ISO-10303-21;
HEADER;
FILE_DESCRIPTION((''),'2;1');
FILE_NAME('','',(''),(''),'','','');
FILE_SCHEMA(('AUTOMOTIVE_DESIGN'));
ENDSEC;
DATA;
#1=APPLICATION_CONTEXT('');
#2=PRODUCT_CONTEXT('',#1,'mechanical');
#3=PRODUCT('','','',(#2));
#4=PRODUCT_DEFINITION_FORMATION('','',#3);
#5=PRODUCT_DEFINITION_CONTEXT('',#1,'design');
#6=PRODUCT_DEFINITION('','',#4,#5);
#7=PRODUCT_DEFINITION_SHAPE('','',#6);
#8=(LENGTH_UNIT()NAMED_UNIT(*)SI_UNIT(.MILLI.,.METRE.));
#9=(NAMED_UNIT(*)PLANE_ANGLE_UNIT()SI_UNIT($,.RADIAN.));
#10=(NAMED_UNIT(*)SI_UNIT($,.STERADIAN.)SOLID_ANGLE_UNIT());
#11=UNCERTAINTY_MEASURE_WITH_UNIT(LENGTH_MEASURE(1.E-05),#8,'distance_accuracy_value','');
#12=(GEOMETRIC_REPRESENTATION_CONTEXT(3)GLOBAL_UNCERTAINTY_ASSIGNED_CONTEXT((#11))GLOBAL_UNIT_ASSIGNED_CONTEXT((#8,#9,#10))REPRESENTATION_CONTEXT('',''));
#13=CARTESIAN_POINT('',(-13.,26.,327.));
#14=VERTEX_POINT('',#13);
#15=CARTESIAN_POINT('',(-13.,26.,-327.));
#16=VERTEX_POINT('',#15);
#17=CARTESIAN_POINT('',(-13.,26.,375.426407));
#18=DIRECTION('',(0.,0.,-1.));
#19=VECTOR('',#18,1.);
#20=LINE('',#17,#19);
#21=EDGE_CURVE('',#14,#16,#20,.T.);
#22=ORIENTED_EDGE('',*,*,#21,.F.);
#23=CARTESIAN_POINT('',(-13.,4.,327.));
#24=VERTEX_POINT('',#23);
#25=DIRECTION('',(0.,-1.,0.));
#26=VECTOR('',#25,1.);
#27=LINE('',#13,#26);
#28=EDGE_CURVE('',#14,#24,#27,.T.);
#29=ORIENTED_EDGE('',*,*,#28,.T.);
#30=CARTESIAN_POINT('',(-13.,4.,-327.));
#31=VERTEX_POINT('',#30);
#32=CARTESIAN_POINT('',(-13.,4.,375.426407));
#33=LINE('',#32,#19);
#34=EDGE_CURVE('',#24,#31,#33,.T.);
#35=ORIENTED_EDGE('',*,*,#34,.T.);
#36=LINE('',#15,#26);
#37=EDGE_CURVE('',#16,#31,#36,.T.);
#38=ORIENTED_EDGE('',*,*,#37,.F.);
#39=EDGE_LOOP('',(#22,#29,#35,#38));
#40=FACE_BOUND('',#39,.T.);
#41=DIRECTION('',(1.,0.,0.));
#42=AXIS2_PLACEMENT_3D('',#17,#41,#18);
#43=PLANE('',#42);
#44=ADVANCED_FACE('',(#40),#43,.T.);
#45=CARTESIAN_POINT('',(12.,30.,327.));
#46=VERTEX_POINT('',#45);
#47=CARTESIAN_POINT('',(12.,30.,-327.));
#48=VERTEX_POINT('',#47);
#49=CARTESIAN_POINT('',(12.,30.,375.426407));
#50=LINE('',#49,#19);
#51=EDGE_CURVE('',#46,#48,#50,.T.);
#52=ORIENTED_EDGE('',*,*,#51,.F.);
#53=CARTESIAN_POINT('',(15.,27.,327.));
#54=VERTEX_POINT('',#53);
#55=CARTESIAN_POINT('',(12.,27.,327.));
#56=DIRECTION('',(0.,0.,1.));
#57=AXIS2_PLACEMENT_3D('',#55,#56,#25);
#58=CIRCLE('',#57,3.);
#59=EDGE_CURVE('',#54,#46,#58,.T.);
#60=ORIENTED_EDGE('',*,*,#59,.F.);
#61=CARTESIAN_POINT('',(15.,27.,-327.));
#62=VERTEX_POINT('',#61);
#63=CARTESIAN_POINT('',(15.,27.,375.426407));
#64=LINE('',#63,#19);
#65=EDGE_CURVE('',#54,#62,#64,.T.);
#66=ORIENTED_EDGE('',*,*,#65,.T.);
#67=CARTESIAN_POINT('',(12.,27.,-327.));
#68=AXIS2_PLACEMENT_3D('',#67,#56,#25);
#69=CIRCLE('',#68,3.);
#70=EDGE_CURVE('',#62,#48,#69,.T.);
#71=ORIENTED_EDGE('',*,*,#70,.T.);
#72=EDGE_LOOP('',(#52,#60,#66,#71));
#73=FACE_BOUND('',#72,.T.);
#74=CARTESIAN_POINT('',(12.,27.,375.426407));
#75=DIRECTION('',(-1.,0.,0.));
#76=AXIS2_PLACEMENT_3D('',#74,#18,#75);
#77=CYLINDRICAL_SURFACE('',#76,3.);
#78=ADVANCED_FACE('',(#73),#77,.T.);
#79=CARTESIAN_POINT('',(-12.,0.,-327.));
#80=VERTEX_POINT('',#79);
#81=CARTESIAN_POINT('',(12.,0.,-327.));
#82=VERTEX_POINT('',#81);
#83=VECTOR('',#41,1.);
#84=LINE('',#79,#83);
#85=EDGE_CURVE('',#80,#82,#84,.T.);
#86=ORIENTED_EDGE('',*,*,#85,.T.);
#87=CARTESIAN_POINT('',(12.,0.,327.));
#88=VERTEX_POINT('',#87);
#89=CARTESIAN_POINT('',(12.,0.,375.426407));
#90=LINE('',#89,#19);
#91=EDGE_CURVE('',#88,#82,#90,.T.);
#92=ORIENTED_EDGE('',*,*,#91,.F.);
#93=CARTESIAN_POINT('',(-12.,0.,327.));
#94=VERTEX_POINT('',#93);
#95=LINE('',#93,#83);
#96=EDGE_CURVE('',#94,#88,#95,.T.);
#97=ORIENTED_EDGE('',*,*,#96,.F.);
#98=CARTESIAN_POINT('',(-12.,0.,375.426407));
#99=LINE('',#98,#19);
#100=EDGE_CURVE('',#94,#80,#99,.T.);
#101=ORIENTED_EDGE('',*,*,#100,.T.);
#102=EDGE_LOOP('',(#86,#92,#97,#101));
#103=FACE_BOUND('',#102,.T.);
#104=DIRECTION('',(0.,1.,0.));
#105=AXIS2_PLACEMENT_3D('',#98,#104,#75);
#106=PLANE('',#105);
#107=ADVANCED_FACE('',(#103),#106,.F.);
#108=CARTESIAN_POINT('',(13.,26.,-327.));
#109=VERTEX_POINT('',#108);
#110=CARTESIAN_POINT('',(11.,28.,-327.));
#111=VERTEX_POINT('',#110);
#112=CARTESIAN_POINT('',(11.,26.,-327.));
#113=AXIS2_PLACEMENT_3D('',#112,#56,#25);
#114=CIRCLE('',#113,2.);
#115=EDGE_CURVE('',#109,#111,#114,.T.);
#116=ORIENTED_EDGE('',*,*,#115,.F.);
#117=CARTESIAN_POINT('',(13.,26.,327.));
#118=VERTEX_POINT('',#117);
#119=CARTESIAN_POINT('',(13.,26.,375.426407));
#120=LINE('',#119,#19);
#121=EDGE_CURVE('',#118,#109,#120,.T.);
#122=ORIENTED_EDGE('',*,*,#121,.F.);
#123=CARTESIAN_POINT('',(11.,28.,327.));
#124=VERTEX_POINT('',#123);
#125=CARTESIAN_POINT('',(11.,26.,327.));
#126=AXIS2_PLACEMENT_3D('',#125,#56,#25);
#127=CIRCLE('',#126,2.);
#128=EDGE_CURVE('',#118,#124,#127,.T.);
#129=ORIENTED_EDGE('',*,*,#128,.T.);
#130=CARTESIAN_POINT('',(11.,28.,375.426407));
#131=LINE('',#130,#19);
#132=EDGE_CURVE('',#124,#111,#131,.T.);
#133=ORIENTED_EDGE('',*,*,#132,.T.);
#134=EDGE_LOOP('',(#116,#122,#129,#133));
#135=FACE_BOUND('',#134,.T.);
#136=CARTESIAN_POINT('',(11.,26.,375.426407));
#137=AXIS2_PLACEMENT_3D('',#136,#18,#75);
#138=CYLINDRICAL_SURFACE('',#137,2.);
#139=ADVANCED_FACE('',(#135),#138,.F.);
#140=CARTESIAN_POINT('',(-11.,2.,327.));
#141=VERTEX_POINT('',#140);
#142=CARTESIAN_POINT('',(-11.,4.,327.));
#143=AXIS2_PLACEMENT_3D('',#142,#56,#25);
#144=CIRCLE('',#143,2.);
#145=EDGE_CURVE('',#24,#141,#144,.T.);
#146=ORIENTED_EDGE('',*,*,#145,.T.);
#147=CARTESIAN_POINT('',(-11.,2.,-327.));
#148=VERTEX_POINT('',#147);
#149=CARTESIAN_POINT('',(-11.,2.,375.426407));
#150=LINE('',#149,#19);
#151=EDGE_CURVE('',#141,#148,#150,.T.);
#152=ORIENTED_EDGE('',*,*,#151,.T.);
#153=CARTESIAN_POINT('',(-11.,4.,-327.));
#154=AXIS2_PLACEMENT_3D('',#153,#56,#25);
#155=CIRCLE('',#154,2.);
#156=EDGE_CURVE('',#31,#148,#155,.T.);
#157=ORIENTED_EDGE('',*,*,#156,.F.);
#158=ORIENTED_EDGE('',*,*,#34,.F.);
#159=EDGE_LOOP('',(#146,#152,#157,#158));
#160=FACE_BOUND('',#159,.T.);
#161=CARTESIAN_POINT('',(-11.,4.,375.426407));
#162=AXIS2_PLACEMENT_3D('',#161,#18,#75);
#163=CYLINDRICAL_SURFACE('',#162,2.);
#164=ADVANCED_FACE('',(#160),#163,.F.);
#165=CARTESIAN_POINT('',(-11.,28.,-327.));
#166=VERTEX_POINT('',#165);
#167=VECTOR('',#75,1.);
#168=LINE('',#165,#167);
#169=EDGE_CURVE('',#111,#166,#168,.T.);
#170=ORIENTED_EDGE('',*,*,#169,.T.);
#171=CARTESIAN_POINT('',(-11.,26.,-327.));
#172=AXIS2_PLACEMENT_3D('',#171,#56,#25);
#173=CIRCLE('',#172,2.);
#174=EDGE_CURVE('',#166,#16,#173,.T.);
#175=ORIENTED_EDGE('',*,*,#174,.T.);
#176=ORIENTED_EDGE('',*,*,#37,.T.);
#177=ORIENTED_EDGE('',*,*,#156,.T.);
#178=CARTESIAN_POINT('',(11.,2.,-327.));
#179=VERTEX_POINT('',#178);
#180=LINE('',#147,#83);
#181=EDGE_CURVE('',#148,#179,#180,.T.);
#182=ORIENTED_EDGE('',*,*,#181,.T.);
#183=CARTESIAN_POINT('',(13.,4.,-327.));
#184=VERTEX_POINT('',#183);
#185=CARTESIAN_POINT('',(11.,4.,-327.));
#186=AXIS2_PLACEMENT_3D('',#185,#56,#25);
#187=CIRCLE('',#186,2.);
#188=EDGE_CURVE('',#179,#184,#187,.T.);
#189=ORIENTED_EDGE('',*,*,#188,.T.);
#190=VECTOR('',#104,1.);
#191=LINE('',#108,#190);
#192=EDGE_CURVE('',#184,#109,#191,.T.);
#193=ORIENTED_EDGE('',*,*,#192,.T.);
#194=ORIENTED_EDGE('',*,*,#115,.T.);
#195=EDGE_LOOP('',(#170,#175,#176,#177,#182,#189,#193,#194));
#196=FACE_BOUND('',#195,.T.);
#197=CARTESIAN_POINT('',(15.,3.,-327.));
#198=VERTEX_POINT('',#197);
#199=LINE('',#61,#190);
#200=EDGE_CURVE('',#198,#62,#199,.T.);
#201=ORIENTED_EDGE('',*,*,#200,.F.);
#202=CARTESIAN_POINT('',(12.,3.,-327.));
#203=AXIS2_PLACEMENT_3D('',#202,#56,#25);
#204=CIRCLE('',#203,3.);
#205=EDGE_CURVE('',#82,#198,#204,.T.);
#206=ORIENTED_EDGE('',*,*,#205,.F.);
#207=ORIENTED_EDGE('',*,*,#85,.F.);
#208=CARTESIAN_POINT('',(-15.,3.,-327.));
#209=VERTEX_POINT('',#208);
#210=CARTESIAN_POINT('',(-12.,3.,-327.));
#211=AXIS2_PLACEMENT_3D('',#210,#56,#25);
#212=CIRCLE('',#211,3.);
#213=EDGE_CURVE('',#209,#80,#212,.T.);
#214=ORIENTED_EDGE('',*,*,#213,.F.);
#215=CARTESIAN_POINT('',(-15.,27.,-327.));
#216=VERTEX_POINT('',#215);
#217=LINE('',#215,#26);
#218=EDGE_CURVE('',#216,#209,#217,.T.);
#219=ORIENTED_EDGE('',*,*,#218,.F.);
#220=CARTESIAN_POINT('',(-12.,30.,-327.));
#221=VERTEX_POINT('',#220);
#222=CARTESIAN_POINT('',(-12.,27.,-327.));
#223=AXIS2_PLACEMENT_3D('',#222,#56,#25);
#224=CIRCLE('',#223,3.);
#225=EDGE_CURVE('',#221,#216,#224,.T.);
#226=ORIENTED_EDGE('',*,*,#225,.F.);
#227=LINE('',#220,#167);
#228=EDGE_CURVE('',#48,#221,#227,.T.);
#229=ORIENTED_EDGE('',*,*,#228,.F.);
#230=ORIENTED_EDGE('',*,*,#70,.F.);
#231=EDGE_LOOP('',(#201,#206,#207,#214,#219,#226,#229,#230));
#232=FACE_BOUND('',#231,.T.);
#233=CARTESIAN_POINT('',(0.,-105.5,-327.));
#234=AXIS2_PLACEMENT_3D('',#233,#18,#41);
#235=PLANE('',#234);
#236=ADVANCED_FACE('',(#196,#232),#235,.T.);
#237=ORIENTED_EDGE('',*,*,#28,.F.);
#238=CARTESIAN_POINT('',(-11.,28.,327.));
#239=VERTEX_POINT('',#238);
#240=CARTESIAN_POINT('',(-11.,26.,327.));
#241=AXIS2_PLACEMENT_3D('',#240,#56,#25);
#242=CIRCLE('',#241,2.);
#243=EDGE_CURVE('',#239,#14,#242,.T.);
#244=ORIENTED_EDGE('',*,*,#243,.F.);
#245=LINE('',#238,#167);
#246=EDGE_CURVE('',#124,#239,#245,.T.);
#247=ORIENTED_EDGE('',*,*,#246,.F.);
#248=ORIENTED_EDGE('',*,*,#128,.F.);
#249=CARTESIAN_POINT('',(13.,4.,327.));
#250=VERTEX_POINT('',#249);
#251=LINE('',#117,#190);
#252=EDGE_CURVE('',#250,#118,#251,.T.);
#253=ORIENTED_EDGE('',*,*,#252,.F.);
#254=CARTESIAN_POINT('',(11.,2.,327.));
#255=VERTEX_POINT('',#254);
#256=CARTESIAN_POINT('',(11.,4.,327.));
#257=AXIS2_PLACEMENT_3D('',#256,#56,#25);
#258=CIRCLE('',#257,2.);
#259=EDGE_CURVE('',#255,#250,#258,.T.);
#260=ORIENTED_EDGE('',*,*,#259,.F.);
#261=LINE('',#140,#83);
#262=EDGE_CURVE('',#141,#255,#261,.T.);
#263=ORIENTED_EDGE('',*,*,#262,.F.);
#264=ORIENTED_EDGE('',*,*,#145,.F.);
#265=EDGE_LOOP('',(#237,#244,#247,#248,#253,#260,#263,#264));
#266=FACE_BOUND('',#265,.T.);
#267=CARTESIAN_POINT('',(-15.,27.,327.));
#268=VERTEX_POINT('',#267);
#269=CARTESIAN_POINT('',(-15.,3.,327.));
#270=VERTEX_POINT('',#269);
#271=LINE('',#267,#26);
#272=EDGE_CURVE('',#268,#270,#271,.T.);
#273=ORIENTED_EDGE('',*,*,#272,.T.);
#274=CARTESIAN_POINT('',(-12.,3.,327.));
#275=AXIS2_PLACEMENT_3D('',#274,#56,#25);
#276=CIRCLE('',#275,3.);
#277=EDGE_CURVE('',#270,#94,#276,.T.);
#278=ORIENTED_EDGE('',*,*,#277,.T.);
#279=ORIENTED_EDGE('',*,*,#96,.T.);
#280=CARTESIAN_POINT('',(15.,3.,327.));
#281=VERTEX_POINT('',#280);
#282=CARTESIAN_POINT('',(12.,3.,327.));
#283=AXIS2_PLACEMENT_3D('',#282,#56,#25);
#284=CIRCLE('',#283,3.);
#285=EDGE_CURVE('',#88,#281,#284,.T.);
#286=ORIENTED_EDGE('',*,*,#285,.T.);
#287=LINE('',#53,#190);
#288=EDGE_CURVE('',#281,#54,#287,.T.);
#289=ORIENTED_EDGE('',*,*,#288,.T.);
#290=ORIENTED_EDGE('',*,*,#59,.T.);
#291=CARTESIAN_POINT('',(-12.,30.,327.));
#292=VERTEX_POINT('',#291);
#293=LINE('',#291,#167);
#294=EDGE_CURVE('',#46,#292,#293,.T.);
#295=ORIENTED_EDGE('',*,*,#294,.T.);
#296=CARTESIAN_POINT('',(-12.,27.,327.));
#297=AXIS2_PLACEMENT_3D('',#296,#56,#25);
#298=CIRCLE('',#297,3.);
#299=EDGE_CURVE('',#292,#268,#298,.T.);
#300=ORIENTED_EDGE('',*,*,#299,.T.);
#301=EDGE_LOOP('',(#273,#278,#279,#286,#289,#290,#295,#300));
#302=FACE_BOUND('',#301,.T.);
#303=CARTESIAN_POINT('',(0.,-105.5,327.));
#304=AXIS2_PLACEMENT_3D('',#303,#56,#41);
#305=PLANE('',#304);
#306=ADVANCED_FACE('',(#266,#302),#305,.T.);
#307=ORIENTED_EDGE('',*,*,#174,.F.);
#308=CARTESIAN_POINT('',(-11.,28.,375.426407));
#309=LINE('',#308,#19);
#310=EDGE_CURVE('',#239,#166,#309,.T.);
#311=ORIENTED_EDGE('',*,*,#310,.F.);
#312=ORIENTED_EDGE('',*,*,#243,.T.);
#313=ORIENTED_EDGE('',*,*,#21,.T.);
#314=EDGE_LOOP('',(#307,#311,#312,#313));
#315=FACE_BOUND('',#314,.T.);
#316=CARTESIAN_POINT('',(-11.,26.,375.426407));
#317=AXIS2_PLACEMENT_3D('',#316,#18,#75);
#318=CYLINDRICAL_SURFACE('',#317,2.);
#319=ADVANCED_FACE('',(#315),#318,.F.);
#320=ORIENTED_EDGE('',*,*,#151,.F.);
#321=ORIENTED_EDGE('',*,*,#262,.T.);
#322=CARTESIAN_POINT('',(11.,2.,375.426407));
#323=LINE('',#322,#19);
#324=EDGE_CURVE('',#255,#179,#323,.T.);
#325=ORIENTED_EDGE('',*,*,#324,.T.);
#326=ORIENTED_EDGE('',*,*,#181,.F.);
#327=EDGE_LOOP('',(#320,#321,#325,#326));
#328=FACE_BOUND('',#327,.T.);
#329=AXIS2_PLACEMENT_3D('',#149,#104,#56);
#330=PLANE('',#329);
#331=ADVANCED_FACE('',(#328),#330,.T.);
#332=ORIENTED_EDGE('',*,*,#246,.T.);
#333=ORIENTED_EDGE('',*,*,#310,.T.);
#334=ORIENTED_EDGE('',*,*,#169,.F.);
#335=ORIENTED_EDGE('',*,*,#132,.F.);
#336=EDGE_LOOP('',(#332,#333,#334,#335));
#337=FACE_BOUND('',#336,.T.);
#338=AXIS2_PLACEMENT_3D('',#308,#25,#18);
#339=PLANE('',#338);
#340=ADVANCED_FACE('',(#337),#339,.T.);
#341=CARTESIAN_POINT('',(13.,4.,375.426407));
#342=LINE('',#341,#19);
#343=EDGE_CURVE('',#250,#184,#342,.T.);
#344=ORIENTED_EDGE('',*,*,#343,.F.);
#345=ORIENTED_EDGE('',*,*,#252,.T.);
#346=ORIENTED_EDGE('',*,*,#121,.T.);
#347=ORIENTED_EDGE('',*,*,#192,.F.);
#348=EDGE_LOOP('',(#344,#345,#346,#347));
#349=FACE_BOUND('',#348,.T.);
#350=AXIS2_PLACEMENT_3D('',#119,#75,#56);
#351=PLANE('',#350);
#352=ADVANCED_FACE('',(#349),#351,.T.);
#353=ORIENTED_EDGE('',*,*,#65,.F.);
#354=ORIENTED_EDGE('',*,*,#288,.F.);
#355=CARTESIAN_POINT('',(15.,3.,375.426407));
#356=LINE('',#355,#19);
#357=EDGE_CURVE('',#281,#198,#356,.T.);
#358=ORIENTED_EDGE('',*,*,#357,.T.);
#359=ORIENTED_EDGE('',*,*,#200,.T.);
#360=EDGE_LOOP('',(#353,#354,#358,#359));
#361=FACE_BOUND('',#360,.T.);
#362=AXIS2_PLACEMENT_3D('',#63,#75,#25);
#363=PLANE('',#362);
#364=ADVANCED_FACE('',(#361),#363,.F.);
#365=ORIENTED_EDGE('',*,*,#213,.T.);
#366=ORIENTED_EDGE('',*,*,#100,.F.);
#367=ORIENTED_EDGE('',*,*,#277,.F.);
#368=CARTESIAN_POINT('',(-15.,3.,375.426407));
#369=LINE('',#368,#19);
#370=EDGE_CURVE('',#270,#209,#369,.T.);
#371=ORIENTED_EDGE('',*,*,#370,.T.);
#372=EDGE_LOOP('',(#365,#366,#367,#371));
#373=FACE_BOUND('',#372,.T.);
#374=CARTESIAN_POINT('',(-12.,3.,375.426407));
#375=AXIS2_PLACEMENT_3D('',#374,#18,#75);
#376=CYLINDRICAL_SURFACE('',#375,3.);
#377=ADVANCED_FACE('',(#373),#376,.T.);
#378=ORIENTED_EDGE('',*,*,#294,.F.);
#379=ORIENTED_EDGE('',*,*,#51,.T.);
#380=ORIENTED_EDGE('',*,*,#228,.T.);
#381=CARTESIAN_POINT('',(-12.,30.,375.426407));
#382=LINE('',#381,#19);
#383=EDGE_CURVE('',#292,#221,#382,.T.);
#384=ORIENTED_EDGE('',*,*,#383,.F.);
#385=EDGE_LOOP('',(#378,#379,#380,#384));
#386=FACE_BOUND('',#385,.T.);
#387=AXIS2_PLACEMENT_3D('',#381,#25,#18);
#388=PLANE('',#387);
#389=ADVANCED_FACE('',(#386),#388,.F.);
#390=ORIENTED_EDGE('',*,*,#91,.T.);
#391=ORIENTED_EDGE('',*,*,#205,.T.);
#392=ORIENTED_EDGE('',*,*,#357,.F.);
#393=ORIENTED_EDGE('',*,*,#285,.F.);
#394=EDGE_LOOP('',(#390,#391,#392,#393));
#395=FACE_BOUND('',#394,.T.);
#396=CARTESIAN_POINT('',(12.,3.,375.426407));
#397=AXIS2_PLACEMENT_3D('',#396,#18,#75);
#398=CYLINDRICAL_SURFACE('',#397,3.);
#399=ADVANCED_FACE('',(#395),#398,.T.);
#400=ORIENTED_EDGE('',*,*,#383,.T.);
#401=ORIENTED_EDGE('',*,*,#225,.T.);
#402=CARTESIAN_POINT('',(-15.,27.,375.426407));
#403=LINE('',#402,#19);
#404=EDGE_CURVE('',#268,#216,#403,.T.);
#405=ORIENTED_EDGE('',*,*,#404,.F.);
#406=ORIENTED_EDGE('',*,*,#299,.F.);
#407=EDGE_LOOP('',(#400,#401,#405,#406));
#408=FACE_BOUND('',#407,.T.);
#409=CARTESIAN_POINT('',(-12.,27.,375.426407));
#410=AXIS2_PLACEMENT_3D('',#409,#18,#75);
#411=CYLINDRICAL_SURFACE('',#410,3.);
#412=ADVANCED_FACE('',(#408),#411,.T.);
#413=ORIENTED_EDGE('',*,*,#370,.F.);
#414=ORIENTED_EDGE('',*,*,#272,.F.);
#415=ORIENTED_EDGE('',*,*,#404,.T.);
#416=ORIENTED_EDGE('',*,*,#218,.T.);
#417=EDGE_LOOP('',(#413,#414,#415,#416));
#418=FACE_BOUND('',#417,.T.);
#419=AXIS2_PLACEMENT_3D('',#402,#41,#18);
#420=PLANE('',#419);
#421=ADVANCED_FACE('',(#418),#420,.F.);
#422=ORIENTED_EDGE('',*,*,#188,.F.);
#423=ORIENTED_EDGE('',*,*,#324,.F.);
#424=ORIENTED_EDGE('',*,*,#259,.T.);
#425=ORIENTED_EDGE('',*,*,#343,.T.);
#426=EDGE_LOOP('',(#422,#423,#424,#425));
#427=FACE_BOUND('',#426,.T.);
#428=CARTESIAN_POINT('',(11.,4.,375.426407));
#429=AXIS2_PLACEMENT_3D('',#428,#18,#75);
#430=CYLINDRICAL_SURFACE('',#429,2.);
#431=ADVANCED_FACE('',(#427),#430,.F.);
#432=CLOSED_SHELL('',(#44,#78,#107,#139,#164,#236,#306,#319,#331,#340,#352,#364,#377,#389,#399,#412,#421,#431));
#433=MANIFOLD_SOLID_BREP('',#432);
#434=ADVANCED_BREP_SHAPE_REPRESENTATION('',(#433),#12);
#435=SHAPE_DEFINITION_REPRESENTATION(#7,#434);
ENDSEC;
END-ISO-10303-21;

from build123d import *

# Parameters (mm, degrees)
EXTRUDE_1_DEPTH = 327


with BuildPart() as part:
    # Эскиз1 → Бобышка-Вытянуть1 (new body)
    with BuildSketch(Plane.XY):
        with BuildLine():
            Line((-12, 30), (12, 30))
            ThreePointArc((12, 30), (14.121320344, 29.121320344), (15, 27))
            Line((15, 27), (15, 3))
            ThreePointArc((15, 3), (14.121320344, 0.878679656), (12, 0))
            Line((12, 0), (-12, 0))
            ThreePointArc((-12, 0), (-14.121320344, 0.878679656), (-15, 3))
            Line((-15, 3), (-15, 27))
            ThreePointArc((-15, 27), (-14.121320344, 29.121320344), (-12, 30))
        make_face()
        with BuildLine():
            Line((-11, 28), (11, 28))
            ThreePointArc((11, 28), (12.414213562, 27.414213562), (13, 26))
            Line((13, 26), (13, 4))
            ThreePointArc((13, 4), (12.414213562, 2.585786438), (11, 2))
            Line((11, 2), (-11, 2))
            ThreePointArc((-11, 2), (-12.414213562, 2.585786438), (-13, 4))
            Line((-13, 4), (-13, 26))
            ThreePointArc((-13, 26), (-12.414213562, 27.414213562), (-11, 28))
        make_face(mode=Mode.SUBTRACT)
    extrude(amount=EXTRUDE_1_DEPTH)

    # Зеркальное отражение2: part across plane


with BuildPart() as part_1:
    add(part.part)
    add(part.part.mirror(Plane(origin=(-12, 3, 0), x_dir=(1, 0, 0), z_dir=(0, 0, 1))))


solid = part_1.part
